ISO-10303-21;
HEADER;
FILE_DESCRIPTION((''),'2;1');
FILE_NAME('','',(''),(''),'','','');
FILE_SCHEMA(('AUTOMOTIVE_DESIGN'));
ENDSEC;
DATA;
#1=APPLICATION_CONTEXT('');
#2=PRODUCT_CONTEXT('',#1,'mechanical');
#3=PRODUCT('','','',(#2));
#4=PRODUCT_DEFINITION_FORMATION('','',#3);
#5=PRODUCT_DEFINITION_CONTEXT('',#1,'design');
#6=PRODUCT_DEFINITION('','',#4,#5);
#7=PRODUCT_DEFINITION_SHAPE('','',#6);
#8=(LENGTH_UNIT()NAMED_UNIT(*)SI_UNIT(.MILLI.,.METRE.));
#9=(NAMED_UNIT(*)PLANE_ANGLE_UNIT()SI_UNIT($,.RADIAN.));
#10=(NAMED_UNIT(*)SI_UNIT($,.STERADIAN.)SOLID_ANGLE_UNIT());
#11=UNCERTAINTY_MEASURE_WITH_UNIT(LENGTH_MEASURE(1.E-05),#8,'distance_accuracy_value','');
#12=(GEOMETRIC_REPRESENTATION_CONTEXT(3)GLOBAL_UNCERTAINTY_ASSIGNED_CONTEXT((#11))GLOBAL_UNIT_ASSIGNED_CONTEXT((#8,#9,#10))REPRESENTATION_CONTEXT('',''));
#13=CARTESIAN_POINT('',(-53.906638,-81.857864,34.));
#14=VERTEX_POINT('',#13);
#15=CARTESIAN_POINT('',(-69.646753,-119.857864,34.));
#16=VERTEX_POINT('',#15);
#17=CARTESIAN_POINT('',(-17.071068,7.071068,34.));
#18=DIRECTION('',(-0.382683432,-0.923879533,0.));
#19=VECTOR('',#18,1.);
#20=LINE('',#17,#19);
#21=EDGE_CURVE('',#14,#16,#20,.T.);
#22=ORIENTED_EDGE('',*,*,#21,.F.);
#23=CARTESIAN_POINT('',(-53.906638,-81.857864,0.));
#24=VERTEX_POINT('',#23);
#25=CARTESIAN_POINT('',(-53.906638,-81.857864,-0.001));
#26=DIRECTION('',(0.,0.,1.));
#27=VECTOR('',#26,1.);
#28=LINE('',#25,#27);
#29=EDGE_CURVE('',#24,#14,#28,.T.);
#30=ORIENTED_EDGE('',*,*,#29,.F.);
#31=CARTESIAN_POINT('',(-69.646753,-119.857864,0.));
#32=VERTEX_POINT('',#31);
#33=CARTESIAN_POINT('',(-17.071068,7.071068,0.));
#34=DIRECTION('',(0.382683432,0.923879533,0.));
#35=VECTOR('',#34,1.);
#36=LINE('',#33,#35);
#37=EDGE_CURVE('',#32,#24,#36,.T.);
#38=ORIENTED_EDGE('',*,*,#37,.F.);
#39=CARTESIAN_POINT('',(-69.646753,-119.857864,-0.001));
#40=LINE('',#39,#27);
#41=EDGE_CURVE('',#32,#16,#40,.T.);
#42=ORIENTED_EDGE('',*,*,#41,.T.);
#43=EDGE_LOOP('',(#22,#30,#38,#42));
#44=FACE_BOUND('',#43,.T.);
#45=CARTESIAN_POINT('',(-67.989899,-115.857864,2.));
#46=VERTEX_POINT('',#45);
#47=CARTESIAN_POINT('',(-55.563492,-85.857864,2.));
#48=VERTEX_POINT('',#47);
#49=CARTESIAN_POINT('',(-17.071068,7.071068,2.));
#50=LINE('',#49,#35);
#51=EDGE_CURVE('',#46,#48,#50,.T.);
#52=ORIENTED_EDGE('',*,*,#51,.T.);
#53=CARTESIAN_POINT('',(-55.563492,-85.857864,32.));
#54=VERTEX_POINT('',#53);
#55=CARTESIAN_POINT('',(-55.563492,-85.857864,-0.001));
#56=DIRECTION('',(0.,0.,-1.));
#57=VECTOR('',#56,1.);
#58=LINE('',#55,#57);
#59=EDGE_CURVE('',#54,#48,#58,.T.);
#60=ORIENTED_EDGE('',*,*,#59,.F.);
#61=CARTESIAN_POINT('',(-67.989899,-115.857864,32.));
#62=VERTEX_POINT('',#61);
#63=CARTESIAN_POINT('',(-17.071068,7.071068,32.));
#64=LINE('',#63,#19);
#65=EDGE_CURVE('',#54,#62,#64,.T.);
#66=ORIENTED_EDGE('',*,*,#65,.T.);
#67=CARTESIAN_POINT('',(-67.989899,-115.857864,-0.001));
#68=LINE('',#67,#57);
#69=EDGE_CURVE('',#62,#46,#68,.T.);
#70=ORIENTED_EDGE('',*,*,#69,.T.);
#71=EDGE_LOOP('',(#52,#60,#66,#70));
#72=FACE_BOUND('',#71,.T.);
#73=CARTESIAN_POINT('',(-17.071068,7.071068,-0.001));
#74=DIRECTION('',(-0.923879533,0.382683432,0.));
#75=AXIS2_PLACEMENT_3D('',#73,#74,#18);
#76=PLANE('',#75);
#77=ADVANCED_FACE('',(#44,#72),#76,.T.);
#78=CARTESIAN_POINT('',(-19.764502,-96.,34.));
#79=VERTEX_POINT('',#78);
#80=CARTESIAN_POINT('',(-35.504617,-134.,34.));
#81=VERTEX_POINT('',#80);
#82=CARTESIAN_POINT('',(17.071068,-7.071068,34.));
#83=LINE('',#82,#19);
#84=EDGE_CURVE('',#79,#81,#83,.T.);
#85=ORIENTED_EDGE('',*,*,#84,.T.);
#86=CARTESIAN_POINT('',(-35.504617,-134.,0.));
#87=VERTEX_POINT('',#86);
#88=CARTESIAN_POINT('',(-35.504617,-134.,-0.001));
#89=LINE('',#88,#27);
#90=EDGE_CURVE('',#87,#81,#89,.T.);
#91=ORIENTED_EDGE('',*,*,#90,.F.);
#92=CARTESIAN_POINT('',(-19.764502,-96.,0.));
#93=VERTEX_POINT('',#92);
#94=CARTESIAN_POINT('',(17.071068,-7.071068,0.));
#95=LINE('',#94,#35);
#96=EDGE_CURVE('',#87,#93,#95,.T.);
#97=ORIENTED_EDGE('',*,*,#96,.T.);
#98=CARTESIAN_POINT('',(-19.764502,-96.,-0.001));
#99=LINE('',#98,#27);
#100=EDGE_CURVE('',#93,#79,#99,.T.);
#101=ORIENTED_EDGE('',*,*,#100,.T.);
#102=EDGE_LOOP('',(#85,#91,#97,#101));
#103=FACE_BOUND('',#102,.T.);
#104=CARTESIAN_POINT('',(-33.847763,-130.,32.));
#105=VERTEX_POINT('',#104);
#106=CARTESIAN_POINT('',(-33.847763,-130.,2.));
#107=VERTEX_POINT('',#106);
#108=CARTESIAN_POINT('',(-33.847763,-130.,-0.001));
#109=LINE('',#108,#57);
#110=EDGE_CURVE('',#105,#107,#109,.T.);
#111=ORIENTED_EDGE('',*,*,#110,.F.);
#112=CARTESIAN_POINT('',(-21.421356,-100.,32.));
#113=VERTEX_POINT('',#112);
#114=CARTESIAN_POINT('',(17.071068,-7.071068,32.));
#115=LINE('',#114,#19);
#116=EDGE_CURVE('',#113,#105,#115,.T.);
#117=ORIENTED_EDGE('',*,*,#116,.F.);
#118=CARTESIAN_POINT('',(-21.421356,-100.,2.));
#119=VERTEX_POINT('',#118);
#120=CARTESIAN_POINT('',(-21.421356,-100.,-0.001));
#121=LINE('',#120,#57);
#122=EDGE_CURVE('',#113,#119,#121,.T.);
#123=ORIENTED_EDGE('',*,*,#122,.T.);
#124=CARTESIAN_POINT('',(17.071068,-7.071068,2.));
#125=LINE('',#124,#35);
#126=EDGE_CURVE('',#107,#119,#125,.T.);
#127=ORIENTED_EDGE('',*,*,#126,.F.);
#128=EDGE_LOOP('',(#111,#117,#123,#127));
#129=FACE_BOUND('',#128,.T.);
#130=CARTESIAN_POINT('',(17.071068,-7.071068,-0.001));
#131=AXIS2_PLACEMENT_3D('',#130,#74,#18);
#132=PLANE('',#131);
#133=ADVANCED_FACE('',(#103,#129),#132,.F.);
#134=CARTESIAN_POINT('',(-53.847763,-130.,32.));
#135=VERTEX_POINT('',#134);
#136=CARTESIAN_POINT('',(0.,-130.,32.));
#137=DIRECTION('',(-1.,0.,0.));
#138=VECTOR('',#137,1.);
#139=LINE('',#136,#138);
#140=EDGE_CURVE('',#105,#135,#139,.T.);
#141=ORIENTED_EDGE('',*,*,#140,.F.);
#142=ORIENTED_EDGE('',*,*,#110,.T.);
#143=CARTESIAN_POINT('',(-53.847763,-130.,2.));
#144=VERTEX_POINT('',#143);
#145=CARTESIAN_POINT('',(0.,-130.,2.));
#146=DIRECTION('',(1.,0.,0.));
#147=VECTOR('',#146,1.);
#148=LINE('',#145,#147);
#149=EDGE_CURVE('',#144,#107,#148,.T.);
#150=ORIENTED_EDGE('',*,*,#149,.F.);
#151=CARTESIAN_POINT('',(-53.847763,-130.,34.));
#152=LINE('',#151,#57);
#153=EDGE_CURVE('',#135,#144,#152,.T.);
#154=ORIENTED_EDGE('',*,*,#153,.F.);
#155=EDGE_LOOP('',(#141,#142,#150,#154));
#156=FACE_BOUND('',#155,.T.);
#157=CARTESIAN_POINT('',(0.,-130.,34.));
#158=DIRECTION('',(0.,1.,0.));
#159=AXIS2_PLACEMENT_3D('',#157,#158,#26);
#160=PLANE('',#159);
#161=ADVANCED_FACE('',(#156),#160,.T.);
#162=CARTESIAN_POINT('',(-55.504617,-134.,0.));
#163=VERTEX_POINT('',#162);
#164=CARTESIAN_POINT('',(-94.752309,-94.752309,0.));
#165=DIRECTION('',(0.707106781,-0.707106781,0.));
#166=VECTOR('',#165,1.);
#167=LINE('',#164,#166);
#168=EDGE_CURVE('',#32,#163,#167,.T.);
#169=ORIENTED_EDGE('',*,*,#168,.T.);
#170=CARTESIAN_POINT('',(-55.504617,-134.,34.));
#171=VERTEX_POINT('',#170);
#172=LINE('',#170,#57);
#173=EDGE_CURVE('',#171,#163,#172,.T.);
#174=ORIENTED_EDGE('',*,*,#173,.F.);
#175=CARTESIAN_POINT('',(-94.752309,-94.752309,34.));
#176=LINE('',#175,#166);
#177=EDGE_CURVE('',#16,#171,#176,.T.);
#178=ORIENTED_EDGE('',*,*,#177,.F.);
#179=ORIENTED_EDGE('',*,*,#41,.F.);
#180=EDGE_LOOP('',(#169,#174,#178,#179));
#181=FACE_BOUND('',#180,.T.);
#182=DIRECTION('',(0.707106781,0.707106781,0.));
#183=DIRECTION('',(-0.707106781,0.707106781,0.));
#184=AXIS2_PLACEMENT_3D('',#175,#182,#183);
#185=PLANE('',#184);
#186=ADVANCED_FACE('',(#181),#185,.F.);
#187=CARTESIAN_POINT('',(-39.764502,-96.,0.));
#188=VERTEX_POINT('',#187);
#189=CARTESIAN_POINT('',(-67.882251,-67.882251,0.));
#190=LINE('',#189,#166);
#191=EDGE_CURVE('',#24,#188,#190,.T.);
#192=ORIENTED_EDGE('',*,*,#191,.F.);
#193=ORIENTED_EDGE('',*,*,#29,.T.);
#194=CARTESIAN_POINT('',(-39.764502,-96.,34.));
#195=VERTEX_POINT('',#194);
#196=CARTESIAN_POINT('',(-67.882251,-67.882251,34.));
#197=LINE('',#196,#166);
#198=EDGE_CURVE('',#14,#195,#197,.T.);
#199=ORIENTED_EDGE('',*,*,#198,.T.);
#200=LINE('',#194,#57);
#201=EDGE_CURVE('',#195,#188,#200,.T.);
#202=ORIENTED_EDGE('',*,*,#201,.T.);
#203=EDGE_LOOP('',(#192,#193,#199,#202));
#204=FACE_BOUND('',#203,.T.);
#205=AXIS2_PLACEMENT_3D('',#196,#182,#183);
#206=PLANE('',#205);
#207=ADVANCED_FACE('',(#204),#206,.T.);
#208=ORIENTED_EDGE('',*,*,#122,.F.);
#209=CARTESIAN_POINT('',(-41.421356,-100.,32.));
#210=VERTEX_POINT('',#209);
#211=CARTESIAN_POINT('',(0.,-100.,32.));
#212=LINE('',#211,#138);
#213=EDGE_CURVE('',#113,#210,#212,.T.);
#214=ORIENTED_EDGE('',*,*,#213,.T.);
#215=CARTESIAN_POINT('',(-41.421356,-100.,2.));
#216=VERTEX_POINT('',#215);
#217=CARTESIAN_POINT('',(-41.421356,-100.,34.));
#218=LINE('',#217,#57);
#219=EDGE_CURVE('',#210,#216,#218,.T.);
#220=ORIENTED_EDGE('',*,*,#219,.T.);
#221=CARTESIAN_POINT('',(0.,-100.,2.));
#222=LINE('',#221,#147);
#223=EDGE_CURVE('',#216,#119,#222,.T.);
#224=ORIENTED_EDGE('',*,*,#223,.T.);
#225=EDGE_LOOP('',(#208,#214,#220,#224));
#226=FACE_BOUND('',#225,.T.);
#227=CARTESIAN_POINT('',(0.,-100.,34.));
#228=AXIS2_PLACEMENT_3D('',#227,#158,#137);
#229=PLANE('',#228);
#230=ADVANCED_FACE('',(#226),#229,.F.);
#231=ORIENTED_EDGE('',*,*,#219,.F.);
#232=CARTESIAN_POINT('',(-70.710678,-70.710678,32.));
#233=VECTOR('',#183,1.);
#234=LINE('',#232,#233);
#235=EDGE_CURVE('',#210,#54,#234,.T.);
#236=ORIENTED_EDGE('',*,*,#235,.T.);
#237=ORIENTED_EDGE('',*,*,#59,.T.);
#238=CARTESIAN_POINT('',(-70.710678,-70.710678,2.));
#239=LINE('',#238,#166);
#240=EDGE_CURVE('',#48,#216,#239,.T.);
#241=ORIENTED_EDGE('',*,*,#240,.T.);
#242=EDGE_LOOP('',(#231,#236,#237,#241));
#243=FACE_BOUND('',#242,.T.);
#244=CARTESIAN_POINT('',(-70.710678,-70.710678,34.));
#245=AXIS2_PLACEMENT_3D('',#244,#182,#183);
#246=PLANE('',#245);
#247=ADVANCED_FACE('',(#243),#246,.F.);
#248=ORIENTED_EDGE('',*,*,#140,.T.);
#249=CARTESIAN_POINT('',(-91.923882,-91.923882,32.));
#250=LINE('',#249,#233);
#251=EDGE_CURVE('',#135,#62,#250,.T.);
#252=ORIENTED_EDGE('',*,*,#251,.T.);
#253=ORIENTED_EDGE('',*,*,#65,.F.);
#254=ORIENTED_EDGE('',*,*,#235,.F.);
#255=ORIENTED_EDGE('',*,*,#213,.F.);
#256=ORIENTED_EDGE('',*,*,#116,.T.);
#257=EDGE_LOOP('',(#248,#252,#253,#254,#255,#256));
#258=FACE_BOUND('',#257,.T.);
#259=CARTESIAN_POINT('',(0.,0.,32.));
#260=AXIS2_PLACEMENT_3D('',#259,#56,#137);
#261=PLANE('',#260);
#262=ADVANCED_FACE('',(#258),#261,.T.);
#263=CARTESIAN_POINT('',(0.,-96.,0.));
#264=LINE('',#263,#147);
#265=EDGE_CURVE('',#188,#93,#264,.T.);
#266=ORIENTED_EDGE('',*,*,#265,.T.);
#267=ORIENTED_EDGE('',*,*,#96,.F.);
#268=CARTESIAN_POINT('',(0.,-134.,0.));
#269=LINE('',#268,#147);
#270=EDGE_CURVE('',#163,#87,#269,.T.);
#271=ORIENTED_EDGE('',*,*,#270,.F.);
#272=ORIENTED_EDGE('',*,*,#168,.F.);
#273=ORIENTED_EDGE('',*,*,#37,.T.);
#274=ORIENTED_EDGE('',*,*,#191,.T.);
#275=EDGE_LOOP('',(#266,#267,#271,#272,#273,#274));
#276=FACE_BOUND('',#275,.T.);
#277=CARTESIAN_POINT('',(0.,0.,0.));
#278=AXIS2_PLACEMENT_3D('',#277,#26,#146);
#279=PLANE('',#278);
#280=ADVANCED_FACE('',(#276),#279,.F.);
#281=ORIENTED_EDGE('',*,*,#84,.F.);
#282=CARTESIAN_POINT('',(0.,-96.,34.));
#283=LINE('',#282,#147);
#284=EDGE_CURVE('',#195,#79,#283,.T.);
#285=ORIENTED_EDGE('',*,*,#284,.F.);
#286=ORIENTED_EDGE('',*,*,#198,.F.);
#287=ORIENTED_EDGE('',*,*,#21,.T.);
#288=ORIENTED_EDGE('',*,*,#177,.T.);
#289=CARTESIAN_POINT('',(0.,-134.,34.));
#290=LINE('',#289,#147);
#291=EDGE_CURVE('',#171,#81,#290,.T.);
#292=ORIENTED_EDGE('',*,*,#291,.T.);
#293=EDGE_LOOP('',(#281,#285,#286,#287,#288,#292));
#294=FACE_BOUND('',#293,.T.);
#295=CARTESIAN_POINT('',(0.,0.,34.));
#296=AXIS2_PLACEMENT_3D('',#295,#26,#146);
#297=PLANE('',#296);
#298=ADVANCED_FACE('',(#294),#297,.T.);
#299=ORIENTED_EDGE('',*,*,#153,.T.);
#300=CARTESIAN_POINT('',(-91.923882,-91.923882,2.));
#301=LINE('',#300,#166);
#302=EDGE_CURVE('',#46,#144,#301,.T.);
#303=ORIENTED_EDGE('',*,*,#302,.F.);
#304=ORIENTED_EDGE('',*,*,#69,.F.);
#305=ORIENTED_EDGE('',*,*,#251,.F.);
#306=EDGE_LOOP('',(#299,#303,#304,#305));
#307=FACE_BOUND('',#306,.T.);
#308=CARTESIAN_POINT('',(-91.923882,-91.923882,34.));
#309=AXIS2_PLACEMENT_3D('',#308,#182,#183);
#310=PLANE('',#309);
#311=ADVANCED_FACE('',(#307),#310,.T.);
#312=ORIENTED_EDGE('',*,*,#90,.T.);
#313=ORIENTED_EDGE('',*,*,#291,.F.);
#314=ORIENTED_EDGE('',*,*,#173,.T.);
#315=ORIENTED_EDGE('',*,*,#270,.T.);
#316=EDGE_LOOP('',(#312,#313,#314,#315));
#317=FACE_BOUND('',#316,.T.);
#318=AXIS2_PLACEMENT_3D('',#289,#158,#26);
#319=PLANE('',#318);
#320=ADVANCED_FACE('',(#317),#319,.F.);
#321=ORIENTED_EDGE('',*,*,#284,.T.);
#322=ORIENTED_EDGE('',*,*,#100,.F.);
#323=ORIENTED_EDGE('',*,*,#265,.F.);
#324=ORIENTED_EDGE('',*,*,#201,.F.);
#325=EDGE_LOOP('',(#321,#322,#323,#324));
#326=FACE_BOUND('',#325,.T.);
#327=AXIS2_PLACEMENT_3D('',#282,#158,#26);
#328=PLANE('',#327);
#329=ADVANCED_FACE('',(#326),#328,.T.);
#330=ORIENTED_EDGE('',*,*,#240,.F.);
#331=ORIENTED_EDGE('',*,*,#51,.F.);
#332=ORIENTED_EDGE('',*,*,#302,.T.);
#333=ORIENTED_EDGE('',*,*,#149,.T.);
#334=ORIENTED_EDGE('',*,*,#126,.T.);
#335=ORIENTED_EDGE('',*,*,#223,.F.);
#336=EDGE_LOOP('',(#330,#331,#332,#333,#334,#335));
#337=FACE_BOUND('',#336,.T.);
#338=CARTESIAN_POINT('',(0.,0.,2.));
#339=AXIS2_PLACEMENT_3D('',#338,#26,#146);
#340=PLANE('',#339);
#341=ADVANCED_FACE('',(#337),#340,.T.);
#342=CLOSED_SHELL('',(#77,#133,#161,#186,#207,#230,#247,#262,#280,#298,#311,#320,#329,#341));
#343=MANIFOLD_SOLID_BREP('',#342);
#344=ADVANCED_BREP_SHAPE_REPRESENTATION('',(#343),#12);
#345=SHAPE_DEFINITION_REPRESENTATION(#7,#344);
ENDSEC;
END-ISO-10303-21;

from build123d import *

# Parameters (mm, degrees)
RESSALTO_EXTRUS_O1_DEPTH   = 34
RESSALTO_EXTRUS_O1_2_DEPTH = 34
RESSALTO_EXTRUS_O2_DEPTH   = 2
RESSALTO_EXTRUS_O3_START   = 34
RESSALTO_EXTRUS_O3_DEPTH   = 2
CORTE_EXTRUS_O1_REACH      = 194.531


with BuildPart() as part:
    # Esboço1 → Ressalto-extrusão1 (new body)
    with BuildSketch(Plane.XY):
        Polygon((55.504617358, -134), (134, -55.504617358), (134, 55.504617358), (55.504617358, 134), (-55.504617358, 134), (-134, 55.504617358), (-134, -55.504617358), (-55.504617358, -134), align=None)
        Polygon((130, -53.847763109), (130, 53.847763109), (53.847763109, 130), (-53.847763109, 130), (-130, 53.847763109), (-130, -53.847763109), (-53.847763109, -130), (53.847763109, -130), align=None, mode=Mode.SUBTRACT)
    extrude(amount=RESSALTO_EXTRUS_O1_DEPTH)



with BuildPart() as body_2:
    # Esboço1 → Ressalto-extrus_o1 2 (new body)
    with BuildSketch(Plane.XY):
        Polygon((41.421356237, -100), (100, -41.421356237), (100, 41.421356237), (41.421356237, 100), (-41.421356237, 100), (-100, 41.421356237), (-100, -41.421356237), (-41.421356237, -100), align=None)
        Polygon((96, -39.764501988), (96, 39.764501988), (39.764501988, 96), (-39.764501988, 96), (-96, 39.764501988), (-96, -39.764501988), (-39.764501988, -96), (39.764501988, -96), align=None, mode=Mode.SUBTRACT)
    extrude(amount=RESSALTO_EXTRUS_O1_2_DEPTH)


with BuildPart() as part_1:
    add(part.part)

    add(body_2.part)  # Ressalto-extrusão2 merges body 2
    # Esboço1<6> → Ressalto-extrusão2 (add)
    with BuildSketch(Plane.XY):
        Polygon((53.847763109, -130), (130, -53.847763109), (130, 53.847763109), (53.847763109, 130), (-53.847763109, 130), (-130, 53.847763109), (-130, -53.847763109), (-53.847763109, -130), align=None)
        Polygon((100, -41.421356237), (100, 41.421356237), (41.421356237, 100), (-41.421356237, 100), (-100, 41.421356237), (-100, -41.421356237), (-41.421356237, -100), (41.421356237, -100), align=None, mode=Mode.SUBTRACT)
    extrude(amount=RESSALTO_EXTRUS_O2_DEPTH)

    # Esboço1<7> → Ressalto-extrusão3 (add)
    with BuildSketch(Plane.XY.offset(RESSALTO_EXTRUS_O3_START)):
        Polygon((53.847763109, -130), (130, -53.847763109), (130, 53.847763109), (53.847763109, 130), (-53.847763109, 130), (-130, 53.847763109), (-130, -53.847763109), (-53.847763109, -130), align=None)
        Polygon((100, -41.421356237), (100, 41.421356237), (41.421356237, 100), (-41.421356237, 100), (-100, 41.421356237), (-100, -41.421356237), (-41.421356237, -100), (41.421356237, -100), align=None, mode=Mode.SUBTRACT)
    extrude(amount=-RESSALTO_EXTRUS_O3_DEPTH)

    # Esboço2 → Corte-extrusão1 (cut, up to next)
    with BuildSketch(Plane.XY.offset(34), mode=Mode.PRIVATE) as corte_extrus_o1_sk1:
        Polygon((-134, -55.504617358), (-69.646752982, -119.857864376), (-53.906637612, -81.857864376), (-96, -39.764501988), (-96, 39.764501988), (-39.764501988, 96), (39.764501988, 96), (96, 39.764501988), (96, -39.764501988), (39.764501988, -96), (-19.764501988, -96), (-35.504617358, -134), (55.504617358, -134), (134, -55.504617358), (134, 55.504617358), (55.504617358, 134), (-55.504617358, 134), (-134, 55.504617358), align=None)
    corte_extrus_o1_tool1 = extrude(corte_extrus_o1_sk1.sketch, amount=-CORTE_EXTRUS_O1_REACH, mode=Mode.PRIVATE) & part_1.part
    add(corte_extrus_o1_tool1.solids().sort_by_distance((-99.143376, -85.001241, 34))[0], mode=Mode.SUBTRACT)


solid = part_1.part
